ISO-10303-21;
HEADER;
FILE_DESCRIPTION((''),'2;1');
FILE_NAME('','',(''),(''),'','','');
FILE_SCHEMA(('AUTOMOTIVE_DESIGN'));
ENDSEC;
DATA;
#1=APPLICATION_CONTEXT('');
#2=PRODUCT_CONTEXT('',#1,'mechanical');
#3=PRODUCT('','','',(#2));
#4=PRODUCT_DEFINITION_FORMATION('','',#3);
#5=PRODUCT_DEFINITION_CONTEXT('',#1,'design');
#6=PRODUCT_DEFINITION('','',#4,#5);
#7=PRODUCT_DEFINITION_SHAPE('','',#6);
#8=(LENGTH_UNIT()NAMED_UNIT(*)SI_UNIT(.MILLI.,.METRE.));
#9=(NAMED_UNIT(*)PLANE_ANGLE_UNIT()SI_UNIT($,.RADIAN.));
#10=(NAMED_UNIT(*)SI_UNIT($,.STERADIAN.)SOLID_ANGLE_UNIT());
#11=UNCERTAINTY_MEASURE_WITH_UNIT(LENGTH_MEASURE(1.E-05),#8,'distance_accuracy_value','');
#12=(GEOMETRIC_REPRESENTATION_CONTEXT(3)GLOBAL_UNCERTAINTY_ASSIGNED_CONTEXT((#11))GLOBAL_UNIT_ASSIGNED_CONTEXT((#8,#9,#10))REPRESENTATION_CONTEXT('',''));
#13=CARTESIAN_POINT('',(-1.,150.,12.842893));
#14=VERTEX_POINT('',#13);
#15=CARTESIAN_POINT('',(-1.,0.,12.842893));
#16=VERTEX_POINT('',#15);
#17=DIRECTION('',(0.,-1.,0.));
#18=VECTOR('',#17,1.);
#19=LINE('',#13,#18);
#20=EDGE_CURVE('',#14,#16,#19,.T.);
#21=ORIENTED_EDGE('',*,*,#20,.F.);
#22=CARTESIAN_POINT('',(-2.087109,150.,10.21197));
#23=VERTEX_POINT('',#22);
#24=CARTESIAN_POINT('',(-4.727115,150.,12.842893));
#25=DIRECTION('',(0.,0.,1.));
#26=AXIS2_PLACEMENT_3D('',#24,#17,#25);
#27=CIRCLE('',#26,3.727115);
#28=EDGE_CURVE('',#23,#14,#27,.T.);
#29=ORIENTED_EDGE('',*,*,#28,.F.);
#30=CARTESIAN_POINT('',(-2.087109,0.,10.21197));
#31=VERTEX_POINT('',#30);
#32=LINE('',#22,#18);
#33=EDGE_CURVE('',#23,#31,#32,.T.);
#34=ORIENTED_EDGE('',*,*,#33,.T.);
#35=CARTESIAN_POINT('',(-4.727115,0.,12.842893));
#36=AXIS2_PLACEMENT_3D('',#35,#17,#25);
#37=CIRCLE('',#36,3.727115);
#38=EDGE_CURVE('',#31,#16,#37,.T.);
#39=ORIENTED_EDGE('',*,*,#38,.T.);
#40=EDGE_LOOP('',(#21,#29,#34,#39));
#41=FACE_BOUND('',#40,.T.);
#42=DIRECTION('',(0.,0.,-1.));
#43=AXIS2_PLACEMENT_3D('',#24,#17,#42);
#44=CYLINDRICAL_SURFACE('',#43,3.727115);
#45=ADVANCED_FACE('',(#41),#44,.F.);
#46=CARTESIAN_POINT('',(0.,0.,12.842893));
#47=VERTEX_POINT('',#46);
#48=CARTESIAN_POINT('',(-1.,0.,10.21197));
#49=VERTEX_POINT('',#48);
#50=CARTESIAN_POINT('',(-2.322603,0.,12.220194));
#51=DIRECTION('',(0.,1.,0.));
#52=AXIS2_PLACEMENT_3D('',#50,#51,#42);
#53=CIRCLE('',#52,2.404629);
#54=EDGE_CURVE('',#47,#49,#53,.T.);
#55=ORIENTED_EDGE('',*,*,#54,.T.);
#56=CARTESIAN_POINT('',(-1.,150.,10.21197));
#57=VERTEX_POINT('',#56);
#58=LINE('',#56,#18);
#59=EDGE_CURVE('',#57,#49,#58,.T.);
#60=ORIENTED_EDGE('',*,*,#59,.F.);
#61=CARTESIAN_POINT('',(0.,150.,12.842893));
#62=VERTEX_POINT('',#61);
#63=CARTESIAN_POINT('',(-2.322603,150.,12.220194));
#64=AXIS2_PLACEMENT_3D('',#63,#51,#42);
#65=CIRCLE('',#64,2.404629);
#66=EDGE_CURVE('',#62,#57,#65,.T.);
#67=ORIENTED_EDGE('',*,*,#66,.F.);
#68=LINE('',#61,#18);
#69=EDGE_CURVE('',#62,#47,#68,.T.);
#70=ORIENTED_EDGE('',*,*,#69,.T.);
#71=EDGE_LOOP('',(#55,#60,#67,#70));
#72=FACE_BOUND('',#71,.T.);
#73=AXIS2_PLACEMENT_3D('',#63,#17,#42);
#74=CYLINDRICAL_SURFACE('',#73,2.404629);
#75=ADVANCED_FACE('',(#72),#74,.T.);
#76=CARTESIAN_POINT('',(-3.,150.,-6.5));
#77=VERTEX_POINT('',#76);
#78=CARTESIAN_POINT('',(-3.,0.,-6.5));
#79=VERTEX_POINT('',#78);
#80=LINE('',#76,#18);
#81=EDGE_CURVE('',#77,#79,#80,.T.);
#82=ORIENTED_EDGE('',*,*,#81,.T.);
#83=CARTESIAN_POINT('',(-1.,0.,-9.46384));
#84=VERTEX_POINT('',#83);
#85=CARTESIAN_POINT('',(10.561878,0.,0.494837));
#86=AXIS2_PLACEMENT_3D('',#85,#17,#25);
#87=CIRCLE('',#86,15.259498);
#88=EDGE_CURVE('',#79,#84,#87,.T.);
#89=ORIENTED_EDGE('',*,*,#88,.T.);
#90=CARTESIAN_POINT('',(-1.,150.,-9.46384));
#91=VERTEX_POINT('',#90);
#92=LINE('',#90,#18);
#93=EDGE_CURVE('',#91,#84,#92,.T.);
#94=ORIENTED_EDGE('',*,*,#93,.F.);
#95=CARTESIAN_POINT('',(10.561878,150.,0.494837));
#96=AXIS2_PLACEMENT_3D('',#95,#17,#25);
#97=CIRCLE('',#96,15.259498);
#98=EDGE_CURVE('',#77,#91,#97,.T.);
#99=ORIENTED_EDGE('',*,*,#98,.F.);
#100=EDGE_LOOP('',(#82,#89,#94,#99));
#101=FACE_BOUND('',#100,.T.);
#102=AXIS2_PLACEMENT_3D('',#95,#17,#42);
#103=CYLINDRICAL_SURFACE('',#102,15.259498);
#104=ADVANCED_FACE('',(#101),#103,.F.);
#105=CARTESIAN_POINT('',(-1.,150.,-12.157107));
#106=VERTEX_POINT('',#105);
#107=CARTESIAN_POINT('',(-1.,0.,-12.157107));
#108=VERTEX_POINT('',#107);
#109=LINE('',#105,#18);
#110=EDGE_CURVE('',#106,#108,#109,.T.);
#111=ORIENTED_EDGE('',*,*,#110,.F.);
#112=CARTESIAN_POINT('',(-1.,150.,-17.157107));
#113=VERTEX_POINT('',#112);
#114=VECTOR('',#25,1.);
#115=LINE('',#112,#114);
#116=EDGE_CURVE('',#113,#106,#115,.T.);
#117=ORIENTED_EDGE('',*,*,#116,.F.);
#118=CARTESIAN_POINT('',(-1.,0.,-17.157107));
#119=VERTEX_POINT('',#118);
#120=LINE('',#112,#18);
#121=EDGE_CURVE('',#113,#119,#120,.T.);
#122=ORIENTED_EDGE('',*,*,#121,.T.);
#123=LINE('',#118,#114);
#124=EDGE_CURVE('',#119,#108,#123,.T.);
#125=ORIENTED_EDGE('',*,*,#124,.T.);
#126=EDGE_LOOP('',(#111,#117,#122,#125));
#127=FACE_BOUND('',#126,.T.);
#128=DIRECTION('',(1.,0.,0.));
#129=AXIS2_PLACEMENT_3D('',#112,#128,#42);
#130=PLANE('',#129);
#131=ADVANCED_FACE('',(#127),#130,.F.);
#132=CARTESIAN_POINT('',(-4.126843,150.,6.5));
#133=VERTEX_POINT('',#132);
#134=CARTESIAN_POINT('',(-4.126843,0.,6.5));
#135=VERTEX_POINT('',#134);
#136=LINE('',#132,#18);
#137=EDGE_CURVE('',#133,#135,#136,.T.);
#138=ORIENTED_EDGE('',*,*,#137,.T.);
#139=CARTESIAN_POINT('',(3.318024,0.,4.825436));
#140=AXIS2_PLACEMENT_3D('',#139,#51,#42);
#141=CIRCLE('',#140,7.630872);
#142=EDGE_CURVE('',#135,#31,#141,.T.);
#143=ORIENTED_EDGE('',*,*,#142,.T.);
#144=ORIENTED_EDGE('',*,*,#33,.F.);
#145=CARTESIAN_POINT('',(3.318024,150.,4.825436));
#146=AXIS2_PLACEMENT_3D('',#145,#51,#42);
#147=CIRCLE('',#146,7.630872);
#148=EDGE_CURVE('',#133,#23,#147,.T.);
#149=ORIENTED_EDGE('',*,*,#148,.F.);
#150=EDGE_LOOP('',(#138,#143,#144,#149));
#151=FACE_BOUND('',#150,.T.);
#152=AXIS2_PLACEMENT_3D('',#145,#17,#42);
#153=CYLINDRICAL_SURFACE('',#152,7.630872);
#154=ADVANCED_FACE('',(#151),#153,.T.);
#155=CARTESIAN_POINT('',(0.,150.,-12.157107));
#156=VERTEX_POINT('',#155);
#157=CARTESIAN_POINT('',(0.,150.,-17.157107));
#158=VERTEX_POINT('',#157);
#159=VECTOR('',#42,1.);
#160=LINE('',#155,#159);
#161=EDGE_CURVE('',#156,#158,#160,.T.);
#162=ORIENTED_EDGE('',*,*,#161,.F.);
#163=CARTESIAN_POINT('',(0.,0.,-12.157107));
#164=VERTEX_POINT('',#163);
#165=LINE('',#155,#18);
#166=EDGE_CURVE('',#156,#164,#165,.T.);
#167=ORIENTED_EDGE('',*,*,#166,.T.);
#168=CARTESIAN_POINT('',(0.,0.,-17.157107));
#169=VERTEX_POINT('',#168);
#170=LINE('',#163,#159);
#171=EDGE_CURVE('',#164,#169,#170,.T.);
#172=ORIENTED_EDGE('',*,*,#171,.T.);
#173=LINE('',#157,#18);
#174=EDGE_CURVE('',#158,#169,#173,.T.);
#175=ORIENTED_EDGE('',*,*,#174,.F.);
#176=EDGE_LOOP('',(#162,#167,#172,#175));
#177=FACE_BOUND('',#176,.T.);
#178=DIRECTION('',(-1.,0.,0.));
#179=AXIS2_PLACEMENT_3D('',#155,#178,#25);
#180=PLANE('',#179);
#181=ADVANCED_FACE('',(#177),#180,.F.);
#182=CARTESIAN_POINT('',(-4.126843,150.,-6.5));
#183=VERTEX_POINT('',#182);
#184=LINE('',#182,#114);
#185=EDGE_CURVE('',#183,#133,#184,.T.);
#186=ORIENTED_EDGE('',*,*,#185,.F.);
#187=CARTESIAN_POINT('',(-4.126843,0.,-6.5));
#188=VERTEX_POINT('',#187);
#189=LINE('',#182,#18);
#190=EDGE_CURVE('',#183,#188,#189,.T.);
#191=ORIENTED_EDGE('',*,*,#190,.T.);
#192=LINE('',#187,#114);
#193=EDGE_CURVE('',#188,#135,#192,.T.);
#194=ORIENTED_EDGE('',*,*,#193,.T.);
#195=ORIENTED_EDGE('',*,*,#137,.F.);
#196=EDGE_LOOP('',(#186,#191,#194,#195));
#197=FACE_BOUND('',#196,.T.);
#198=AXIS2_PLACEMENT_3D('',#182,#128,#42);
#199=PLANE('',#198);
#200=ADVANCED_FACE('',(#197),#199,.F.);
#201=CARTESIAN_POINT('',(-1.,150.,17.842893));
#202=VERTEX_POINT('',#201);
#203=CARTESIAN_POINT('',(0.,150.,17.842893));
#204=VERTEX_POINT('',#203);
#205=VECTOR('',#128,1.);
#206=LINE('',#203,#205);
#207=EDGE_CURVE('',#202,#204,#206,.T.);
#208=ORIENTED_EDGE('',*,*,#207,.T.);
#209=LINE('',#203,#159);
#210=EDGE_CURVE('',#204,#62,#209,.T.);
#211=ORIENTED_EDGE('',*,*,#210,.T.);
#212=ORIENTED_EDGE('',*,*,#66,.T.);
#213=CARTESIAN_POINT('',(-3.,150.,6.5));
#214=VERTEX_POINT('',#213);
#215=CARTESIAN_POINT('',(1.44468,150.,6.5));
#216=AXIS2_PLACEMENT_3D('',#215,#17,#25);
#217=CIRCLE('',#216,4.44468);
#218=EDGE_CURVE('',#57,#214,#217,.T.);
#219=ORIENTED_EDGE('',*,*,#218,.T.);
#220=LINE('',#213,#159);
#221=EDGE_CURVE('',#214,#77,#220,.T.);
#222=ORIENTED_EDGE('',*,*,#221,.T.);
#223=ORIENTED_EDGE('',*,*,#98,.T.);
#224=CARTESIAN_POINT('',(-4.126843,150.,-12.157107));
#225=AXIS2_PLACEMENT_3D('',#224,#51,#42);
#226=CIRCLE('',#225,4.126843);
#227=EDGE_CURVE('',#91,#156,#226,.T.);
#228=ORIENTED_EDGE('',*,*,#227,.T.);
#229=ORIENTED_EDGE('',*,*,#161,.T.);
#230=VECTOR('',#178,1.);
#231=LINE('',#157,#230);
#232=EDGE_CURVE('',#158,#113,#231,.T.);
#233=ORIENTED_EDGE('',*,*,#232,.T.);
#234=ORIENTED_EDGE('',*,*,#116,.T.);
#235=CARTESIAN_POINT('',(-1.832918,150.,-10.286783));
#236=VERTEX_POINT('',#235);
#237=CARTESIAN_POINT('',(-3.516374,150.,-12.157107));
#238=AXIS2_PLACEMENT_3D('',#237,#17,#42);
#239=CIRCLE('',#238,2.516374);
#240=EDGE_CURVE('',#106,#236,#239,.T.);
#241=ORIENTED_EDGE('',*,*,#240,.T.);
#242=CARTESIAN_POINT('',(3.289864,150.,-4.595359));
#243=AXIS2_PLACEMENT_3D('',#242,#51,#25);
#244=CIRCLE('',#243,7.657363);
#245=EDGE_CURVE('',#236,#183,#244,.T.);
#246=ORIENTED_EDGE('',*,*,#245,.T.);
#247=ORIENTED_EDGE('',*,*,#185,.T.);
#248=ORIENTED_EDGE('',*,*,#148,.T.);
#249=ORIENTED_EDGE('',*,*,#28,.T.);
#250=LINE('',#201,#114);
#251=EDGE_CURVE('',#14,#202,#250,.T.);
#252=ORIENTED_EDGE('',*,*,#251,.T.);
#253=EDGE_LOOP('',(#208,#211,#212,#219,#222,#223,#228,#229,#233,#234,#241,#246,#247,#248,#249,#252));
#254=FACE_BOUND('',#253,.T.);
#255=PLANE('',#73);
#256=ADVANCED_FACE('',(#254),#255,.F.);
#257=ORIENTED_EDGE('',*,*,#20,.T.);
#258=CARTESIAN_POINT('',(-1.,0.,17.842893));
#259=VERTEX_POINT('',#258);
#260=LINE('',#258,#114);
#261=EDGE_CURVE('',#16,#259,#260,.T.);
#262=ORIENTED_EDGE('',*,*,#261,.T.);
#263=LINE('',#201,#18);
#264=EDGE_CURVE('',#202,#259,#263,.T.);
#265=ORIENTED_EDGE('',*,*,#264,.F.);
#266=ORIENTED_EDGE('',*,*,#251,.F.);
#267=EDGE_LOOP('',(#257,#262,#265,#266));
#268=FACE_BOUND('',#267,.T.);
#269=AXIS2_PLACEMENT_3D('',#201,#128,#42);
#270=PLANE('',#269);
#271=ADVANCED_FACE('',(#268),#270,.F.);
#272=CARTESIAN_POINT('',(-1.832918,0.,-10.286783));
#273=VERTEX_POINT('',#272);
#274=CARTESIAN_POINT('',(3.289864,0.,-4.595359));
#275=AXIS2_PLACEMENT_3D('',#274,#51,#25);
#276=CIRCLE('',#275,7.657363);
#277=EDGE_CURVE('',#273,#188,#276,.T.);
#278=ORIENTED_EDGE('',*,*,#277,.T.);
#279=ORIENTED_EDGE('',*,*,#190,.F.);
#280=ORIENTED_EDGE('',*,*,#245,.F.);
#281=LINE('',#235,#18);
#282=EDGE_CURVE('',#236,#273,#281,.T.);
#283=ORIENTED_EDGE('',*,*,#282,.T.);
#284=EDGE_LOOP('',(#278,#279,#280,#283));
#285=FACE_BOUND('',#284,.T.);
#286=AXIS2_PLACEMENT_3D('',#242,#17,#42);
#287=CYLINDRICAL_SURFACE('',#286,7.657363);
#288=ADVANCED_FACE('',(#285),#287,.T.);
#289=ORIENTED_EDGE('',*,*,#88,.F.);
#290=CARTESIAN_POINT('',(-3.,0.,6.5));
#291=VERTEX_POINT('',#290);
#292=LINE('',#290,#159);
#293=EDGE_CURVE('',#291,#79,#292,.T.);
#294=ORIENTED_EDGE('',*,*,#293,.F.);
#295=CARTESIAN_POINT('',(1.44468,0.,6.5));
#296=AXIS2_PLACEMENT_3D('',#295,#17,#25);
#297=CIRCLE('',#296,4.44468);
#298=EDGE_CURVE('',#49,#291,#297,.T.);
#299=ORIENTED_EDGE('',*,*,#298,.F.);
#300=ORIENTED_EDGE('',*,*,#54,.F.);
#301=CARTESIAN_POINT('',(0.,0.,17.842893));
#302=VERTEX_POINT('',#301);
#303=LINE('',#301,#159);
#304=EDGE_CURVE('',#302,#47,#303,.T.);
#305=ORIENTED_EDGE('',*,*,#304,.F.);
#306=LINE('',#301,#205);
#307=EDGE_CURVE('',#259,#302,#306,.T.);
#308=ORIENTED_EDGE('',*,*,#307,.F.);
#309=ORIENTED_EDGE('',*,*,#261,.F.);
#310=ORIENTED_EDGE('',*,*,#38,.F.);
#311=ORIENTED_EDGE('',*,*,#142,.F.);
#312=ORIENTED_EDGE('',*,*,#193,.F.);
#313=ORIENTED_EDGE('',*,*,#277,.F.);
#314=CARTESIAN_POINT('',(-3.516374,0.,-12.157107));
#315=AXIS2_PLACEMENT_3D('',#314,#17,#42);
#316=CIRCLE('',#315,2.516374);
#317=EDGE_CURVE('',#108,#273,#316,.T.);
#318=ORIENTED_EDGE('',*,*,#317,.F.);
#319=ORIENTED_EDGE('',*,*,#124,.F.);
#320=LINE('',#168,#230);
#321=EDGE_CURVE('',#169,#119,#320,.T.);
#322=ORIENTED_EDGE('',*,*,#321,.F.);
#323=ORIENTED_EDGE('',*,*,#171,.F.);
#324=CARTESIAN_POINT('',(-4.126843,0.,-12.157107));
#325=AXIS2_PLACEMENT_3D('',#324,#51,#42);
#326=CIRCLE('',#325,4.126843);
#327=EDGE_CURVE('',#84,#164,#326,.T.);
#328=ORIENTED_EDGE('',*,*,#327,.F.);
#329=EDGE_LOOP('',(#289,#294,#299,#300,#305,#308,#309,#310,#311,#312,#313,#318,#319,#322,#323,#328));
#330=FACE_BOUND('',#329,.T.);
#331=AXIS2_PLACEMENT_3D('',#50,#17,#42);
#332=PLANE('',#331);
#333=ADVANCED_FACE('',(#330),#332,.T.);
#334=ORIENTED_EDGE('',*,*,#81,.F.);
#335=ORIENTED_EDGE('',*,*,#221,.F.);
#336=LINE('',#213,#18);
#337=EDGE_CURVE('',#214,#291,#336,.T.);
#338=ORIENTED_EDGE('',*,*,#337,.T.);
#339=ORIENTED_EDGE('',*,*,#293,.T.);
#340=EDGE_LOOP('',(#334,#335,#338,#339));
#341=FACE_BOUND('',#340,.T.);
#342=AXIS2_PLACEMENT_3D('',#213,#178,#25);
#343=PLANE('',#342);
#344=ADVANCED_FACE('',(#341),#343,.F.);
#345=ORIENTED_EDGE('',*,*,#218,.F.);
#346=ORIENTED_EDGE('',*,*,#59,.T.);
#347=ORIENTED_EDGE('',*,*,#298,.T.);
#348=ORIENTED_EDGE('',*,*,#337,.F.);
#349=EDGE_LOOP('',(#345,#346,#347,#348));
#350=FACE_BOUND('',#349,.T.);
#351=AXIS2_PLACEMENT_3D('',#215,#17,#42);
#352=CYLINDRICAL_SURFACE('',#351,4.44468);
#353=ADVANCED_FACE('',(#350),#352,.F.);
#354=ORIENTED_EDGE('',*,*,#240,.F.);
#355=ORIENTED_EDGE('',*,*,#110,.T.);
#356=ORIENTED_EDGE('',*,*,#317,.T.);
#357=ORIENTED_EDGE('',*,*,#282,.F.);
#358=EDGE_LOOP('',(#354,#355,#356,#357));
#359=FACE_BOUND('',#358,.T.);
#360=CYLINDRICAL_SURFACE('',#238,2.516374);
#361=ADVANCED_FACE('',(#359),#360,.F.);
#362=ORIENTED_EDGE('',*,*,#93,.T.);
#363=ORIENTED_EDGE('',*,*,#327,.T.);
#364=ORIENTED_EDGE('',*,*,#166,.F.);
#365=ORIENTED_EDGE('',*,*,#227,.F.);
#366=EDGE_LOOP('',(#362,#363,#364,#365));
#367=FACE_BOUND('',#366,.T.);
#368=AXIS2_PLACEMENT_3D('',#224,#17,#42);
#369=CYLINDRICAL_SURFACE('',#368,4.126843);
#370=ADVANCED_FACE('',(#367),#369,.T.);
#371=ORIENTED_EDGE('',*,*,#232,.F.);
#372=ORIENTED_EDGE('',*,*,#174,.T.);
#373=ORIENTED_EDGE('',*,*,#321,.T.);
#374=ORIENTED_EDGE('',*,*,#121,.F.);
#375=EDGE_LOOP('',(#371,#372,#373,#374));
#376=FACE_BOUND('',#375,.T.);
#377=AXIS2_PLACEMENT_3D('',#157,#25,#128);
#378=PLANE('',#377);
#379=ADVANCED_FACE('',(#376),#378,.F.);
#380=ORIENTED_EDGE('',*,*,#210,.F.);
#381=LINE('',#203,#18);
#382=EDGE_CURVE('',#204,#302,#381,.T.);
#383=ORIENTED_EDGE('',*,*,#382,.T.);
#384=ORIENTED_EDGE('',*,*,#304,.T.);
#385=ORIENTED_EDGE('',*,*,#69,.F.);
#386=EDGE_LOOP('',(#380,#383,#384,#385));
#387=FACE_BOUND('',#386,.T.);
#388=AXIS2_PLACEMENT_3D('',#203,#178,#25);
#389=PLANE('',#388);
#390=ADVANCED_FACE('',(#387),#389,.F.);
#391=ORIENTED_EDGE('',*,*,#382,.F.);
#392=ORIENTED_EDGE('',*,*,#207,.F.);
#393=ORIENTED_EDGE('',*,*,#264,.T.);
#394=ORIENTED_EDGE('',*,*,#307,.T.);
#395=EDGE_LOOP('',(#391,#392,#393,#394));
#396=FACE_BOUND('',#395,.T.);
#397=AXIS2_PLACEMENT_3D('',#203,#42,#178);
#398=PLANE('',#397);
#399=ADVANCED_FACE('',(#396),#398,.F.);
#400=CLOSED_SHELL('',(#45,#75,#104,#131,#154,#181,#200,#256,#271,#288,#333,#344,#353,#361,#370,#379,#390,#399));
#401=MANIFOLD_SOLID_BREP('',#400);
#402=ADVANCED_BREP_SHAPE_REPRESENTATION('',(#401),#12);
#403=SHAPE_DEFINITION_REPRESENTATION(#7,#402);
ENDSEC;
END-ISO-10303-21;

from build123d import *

# Parameters (mm, degrees)
BOSS_EXTRUDE1_DEPTH = 150


with BuildPart() as part:
    # Sketch1 → Boss-Extrude1 (new body)
    with BuildSketch(Plane(origin=(0, 0, 0), x_dir=(1, 0, 0), z_dir=(0, 1, 0))):
        with BuildLine():
            Line((0, 12.157107232), (0, 17.157107232))
            Line((0, 17.157107232), (-1, 17.157107232))
            Line((-1, 17.157107232), (-1, 12.157107232))
            ThreePointArc((-1, 12.157107232), (-1.217641333, 11.133405068), (-1.832917706, 10.286783042))
            ThreePointArc((-1.832917706, 10.286783042), (-3.259534938, 8.562798276), (-4.126843117, 6.5))
            Line((-4.126843117, 6.5), (-4.126843117, -6.5))
            ThreePointArc((-4.126843117, -6.5), (-3.369674027, -8.500338114), (-2.087108773, -10.211970075))
            ThreePointArc((-2.087108773, -10.211970075), (-1.282481997, -11.419555167), (-1, -12.842892768))
            Line((-1, -12.842892768), (-1, -17.842892768))
            Line((-1, -17.842892768), (0, -17.842892768))
            Line((0, -17.842892768), (0, -12.842892768))
            ThreePointArc((0, -12.842892768), (-0.074866398, -11.365840356), (-1, -10.211970075))
            ThreePointArc((-1, -10.211970075), (-2.468183444, -8.608241082), (-3, -6.5))
            Line((-3, -6.5), (-3, 6.5))
            ThreePointArc((-3, 6.5), (-2.087108773, 8.040701214), (-1, 9.463840399))
            ThreePointArc((-1, 9.463840399), (-0.258069079, 10.720645761), (0, 12.157107232))
        make_face()
    extrude(amount=BOSS_EXTRUDE1_DEPTH)


solid = part.part
